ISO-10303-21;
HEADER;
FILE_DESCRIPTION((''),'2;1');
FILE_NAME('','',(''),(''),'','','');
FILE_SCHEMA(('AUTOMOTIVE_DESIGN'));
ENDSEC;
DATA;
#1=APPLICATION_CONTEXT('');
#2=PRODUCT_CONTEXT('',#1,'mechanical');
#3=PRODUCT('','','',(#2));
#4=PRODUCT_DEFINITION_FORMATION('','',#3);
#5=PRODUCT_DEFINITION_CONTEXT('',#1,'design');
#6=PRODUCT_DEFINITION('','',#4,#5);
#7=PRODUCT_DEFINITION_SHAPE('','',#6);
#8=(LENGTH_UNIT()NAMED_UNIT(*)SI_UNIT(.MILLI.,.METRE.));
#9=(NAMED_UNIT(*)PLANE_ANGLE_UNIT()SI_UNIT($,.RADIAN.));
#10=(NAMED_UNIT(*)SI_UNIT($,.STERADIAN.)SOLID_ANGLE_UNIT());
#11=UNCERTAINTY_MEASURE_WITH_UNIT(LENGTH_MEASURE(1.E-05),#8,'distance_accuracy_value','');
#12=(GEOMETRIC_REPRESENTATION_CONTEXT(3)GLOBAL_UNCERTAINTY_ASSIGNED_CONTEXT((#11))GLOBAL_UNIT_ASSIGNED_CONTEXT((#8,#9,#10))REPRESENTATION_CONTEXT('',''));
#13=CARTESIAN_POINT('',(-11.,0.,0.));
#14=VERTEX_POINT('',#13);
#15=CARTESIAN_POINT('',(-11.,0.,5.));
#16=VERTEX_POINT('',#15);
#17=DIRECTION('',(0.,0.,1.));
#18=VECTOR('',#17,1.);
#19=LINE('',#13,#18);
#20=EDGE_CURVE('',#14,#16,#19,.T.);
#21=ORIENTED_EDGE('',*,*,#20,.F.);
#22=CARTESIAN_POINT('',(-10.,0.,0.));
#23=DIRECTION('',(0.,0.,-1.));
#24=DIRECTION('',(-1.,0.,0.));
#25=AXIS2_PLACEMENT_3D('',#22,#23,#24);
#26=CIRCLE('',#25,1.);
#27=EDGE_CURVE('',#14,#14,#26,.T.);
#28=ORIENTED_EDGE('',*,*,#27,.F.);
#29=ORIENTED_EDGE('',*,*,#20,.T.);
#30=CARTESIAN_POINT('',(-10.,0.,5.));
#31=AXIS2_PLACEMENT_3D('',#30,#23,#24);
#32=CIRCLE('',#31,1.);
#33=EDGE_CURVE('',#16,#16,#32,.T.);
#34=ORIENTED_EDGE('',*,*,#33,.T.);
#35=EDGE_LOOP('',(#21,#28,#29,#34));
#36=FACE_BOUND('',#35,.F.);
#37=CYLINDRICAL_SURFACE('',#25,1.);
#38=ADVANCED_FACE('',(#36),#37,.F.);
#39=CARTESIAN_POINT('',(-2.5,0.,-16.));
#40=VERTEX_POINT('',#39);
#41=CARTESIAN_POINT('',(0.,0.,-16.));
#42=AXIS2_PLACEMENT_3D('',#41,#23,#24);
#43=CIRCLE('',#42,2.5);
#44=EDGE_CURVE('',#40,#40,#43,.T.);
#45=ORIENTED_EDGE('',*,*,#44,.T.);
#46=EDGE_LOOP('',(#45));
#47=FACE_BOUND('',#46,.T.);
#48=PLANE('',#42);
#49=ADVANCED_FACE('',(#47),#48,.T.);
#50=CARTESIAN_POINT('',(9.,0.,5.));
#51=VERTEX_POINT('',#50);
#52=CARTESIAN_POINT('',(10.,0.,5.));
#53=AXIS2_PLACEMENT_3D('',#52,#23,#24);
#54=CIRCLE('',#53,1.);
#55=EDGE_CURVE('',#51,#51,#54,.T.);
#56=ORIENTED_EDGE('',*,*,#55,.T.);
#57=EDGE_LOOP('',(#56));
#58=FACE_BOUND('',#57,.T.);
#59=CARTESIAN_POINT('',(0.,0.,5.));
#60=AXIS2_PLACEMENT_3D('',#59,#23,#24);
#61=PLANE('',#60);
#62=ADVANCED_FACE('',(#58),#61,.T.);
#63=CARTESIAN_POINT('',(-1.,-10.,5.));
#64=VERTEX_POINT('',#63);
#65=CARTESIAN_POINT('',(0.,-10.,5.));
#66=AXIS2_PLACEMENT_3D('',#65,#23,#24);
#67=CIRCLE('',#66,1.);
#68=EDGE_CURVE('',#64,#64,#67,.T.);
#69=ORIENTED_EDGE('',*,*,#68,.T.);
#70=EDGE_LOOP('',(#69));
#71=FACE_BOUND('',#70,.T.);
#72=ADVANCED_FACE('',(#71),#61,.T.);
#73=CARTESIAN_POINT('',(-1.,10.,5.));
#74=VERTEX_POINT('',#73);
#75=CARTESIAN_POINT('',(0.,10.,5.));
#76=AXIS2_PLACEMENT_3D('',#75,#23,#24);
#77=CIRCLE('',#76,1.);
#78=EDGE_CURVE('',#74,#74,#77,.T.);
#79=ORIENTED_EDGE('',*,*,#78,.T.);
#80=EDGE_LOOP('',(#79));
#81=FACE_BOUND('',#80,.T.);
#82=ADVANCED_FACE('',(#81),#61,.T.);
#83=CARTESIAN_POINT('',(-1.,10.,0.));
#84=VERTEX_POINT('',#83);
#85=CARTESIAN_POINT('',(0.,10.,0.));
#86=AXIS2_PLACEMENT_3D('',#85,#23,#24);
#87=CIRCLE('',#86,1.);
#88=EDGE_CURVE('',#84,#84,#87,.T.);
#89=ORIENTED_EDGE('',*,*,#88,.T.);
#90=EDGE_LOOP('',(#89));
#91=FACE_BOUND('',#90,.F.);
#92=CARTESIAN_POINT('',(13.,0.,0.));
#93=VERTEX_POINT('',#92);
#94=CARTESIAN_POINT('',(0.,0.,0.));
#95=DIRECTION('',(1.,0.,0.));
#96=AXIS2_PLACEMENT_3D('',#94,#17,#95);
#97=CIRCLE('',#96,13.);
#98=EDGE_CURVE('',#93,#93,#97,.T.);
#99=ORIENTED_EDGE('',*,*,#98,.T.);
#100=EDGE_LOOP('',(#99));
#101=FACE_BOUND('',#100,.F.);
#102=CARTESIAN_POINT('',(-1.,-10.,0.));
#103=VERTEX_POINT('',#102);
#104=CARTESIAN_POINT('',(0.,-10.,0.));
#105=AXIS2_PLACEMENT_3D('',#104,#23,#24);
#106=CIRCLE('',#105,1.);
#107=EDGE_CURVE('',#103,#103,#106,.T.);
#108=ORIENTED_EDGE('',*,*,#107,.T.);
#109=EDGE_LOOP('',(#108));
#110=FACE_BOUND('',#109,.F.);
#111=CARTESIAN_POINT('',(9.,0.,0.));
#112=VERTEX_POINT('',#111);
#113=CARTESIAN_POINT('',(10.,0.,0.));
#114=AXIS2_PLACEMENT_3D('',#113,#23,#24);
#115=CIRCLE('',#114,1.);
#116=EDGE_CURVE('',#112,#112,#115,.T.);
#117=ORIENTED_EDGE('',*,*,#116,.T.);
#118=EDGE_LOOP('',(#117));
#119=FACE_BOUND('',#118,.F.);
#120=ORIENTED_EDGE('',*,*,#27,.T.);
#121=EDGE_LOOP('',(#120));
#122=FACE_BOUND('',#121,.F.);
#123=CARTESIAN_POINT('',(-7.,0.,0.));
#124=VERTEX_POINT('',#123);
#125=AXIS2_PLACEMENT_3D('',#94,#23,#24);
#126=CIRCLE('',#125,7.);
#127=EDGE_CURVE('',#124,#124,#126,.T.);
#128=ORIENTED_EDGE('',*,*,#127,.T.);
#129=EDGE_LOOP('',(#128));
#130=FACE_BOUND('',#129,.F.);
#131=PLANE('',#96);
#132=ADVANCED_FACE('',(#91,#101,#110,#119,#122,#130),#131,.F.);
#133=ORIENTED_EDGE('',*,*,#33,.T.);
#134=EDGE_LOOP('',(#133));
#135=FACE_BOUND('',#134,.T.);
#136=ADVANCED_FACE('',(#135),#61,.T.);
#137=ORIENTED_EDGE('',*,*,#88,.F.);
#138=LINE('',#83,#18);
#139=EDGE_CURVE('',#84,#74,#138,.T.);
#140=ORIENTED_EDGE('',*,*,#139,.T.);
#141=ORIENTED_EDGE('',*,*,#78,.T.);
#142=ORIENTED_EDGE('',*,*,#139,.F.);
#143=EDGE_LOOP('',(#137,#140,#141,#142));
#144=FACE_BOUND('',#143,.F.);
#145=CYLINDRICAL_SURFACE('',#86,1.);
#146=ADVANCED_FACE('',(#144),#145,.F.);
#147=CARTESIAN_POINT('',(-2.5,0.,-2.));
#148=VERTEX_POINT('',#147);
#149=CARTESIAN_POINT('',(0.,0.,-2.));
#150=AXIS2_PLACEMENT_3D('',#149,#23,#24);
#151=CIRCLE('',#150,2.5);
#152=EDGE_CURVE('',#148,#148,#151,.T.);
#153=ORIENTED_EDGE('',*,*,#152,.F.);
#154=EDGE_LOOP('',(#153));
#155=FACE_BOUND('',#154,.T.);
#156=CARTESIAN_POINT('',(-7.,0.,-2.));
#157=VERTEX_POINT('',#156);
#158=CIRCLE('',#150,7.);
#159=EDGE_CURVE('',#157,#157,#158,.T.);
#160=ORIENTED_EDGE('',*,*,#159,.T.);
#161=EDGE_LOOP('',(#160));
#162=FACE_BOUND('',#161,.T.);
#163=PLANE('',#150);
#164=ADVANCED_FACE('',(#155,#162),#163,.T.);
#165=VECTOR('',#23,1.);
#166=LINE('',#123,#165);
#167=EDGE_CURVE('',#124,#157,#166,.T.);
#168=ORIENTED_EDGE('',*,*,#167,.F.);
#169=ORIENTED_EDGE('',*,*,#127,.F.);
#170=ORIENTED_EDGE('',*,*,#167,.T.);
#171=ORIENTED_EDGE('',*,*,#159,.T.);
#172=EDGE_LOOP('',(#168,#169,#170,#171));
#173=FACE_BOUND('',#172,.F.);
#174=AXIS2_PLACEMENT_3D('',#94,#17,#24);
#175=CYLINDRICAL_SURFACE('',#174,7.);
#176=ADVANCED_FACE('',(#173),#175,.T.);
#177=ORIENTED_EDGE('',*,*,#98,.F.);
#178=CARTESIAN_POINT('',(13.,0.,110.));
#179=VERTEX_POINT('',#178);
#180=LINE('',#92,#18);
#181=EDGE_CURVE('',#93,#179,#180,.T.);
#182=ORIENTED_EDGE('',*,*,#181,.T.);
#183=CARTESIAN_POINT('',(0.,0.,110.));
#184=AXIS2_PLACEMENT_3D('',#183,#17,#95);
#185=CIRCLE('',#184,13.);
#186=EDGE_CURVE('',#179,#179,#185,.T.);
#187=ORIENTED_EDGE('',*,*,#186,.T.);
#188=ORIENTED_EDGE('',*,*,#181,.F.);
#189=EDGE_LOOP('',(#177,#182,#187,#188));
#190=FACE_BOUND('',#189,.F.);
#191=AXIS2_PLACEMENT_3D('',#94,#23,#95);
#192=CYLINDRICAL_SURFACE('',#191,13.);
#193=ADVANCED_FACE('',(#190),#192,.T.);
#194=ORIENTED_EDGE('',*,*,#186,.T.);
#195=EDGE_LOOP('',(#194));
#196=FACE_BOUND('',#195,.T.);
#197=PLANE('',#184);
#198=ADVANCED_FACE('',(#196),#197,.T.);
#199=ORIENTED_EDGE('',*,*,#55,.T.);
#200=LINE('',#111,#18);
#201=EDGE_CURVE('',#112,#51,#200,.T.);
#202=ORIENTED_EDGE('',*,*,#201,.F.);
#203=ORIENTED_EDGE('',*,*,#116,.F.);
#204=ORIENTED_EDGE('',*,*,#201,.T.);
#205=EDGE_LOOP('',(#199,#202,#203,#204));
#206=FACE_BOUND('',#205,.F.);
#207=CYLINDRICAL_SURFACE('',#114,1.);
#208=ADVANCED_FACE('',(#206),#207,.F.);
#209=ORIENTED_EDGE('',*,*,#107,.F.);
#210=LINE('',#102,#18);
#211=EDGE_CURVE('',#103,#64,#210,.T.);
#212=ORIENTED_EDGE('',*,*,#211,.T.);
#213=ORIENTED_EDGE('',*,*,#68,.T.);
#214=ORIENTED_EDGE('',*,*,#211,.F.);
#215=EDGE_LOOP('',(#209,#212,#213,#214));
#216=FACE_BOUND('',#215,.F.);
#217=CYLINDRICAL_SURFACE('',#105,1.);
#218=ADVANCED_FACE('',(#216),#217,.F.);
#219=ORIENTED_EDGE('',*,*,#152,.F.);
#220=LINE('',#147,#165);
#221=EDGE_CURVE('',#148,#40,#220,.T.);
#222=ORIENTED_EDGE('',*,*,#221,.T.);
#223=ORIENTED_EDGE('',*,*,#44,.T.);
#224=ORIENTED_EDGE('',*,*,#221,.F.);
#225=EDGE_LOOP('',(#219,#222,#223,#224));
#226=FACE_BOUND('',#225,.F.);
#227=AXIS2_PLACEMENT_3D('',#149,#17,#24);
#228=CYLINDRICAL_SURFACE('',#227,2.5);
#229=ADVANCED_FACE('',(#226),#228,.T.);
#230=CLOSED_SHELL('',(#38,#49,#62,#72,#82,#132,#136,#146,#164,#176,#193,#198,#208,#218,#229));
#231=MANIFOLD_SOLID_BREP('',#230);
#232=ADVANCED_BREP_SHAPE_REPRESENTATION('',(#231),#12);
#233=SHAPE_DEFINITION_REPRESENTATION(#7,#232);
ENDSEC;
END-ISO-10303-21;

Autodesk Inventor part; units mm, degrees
ref_plane "YZ Plane" through (0, 0, 0) normal (1, 0, 0) x (0, 1, 0)
ref_plane "XZ Plane" through (0, 0, 0) normal (0, 1, 0) x (-1, 0, 0)
ref_plane "XY Plane" through (0, 0, 0) normal (0, 0, 1) x (1, 0, 0)
sketch "Esquisse1" plane through (0, 0, 0) normal (0, 0, 1) x (1, 0, 0)
  circle A0 centre (0, 0) radius 13
  dimension "d0" = 26
extrude "Extrusion1" add sketch "Esquisse1" along normal blind 110
sketch "Esquisse2" plane through (0, 0, 0) normal (0, 0, -1) x (-1, 0, 0)
  circle A0 centre (0, 0) radius 7
  circle A1 centre (0, 10) radius 1
  circle A2 centre (0, 0) radius 13 projected
  circle A3 centre (-10, 0) radius 1
  circle A4 centre (0, -10) radius 1
  circle A5 centre (10, 0) radius 1
  dimension "d3" = 14
  dimension "d4" = 2
  dimension "d5" = 2
  dimension "d8" = 360
extrude "Extrusion2" cut sketch "Esquisse2" against normal blind 5 contours A1 | A3 | A4 | A5
sketch "Esquisse3" plane through (0, 0, 0) normal (0, 0, -1) x (-1, 0, 0)
  circle A0 centre (0, 0) radius 7
  dimension "d12" = 14
extrude "Extrusion3" add sketch "Esquisse3" along normal blind 2
sketch "Esquisse4" plane through (0, 0, -2) normal (0, 0, -1) x (-1, 0, 0)
  circle A0 centre (0, 0) radius 2.5
  dimension "d15" = 5
extrude "Extrusion4" add sketch "Esquisse4" along normal blind 14
properties part number "MoteurMaxon"
